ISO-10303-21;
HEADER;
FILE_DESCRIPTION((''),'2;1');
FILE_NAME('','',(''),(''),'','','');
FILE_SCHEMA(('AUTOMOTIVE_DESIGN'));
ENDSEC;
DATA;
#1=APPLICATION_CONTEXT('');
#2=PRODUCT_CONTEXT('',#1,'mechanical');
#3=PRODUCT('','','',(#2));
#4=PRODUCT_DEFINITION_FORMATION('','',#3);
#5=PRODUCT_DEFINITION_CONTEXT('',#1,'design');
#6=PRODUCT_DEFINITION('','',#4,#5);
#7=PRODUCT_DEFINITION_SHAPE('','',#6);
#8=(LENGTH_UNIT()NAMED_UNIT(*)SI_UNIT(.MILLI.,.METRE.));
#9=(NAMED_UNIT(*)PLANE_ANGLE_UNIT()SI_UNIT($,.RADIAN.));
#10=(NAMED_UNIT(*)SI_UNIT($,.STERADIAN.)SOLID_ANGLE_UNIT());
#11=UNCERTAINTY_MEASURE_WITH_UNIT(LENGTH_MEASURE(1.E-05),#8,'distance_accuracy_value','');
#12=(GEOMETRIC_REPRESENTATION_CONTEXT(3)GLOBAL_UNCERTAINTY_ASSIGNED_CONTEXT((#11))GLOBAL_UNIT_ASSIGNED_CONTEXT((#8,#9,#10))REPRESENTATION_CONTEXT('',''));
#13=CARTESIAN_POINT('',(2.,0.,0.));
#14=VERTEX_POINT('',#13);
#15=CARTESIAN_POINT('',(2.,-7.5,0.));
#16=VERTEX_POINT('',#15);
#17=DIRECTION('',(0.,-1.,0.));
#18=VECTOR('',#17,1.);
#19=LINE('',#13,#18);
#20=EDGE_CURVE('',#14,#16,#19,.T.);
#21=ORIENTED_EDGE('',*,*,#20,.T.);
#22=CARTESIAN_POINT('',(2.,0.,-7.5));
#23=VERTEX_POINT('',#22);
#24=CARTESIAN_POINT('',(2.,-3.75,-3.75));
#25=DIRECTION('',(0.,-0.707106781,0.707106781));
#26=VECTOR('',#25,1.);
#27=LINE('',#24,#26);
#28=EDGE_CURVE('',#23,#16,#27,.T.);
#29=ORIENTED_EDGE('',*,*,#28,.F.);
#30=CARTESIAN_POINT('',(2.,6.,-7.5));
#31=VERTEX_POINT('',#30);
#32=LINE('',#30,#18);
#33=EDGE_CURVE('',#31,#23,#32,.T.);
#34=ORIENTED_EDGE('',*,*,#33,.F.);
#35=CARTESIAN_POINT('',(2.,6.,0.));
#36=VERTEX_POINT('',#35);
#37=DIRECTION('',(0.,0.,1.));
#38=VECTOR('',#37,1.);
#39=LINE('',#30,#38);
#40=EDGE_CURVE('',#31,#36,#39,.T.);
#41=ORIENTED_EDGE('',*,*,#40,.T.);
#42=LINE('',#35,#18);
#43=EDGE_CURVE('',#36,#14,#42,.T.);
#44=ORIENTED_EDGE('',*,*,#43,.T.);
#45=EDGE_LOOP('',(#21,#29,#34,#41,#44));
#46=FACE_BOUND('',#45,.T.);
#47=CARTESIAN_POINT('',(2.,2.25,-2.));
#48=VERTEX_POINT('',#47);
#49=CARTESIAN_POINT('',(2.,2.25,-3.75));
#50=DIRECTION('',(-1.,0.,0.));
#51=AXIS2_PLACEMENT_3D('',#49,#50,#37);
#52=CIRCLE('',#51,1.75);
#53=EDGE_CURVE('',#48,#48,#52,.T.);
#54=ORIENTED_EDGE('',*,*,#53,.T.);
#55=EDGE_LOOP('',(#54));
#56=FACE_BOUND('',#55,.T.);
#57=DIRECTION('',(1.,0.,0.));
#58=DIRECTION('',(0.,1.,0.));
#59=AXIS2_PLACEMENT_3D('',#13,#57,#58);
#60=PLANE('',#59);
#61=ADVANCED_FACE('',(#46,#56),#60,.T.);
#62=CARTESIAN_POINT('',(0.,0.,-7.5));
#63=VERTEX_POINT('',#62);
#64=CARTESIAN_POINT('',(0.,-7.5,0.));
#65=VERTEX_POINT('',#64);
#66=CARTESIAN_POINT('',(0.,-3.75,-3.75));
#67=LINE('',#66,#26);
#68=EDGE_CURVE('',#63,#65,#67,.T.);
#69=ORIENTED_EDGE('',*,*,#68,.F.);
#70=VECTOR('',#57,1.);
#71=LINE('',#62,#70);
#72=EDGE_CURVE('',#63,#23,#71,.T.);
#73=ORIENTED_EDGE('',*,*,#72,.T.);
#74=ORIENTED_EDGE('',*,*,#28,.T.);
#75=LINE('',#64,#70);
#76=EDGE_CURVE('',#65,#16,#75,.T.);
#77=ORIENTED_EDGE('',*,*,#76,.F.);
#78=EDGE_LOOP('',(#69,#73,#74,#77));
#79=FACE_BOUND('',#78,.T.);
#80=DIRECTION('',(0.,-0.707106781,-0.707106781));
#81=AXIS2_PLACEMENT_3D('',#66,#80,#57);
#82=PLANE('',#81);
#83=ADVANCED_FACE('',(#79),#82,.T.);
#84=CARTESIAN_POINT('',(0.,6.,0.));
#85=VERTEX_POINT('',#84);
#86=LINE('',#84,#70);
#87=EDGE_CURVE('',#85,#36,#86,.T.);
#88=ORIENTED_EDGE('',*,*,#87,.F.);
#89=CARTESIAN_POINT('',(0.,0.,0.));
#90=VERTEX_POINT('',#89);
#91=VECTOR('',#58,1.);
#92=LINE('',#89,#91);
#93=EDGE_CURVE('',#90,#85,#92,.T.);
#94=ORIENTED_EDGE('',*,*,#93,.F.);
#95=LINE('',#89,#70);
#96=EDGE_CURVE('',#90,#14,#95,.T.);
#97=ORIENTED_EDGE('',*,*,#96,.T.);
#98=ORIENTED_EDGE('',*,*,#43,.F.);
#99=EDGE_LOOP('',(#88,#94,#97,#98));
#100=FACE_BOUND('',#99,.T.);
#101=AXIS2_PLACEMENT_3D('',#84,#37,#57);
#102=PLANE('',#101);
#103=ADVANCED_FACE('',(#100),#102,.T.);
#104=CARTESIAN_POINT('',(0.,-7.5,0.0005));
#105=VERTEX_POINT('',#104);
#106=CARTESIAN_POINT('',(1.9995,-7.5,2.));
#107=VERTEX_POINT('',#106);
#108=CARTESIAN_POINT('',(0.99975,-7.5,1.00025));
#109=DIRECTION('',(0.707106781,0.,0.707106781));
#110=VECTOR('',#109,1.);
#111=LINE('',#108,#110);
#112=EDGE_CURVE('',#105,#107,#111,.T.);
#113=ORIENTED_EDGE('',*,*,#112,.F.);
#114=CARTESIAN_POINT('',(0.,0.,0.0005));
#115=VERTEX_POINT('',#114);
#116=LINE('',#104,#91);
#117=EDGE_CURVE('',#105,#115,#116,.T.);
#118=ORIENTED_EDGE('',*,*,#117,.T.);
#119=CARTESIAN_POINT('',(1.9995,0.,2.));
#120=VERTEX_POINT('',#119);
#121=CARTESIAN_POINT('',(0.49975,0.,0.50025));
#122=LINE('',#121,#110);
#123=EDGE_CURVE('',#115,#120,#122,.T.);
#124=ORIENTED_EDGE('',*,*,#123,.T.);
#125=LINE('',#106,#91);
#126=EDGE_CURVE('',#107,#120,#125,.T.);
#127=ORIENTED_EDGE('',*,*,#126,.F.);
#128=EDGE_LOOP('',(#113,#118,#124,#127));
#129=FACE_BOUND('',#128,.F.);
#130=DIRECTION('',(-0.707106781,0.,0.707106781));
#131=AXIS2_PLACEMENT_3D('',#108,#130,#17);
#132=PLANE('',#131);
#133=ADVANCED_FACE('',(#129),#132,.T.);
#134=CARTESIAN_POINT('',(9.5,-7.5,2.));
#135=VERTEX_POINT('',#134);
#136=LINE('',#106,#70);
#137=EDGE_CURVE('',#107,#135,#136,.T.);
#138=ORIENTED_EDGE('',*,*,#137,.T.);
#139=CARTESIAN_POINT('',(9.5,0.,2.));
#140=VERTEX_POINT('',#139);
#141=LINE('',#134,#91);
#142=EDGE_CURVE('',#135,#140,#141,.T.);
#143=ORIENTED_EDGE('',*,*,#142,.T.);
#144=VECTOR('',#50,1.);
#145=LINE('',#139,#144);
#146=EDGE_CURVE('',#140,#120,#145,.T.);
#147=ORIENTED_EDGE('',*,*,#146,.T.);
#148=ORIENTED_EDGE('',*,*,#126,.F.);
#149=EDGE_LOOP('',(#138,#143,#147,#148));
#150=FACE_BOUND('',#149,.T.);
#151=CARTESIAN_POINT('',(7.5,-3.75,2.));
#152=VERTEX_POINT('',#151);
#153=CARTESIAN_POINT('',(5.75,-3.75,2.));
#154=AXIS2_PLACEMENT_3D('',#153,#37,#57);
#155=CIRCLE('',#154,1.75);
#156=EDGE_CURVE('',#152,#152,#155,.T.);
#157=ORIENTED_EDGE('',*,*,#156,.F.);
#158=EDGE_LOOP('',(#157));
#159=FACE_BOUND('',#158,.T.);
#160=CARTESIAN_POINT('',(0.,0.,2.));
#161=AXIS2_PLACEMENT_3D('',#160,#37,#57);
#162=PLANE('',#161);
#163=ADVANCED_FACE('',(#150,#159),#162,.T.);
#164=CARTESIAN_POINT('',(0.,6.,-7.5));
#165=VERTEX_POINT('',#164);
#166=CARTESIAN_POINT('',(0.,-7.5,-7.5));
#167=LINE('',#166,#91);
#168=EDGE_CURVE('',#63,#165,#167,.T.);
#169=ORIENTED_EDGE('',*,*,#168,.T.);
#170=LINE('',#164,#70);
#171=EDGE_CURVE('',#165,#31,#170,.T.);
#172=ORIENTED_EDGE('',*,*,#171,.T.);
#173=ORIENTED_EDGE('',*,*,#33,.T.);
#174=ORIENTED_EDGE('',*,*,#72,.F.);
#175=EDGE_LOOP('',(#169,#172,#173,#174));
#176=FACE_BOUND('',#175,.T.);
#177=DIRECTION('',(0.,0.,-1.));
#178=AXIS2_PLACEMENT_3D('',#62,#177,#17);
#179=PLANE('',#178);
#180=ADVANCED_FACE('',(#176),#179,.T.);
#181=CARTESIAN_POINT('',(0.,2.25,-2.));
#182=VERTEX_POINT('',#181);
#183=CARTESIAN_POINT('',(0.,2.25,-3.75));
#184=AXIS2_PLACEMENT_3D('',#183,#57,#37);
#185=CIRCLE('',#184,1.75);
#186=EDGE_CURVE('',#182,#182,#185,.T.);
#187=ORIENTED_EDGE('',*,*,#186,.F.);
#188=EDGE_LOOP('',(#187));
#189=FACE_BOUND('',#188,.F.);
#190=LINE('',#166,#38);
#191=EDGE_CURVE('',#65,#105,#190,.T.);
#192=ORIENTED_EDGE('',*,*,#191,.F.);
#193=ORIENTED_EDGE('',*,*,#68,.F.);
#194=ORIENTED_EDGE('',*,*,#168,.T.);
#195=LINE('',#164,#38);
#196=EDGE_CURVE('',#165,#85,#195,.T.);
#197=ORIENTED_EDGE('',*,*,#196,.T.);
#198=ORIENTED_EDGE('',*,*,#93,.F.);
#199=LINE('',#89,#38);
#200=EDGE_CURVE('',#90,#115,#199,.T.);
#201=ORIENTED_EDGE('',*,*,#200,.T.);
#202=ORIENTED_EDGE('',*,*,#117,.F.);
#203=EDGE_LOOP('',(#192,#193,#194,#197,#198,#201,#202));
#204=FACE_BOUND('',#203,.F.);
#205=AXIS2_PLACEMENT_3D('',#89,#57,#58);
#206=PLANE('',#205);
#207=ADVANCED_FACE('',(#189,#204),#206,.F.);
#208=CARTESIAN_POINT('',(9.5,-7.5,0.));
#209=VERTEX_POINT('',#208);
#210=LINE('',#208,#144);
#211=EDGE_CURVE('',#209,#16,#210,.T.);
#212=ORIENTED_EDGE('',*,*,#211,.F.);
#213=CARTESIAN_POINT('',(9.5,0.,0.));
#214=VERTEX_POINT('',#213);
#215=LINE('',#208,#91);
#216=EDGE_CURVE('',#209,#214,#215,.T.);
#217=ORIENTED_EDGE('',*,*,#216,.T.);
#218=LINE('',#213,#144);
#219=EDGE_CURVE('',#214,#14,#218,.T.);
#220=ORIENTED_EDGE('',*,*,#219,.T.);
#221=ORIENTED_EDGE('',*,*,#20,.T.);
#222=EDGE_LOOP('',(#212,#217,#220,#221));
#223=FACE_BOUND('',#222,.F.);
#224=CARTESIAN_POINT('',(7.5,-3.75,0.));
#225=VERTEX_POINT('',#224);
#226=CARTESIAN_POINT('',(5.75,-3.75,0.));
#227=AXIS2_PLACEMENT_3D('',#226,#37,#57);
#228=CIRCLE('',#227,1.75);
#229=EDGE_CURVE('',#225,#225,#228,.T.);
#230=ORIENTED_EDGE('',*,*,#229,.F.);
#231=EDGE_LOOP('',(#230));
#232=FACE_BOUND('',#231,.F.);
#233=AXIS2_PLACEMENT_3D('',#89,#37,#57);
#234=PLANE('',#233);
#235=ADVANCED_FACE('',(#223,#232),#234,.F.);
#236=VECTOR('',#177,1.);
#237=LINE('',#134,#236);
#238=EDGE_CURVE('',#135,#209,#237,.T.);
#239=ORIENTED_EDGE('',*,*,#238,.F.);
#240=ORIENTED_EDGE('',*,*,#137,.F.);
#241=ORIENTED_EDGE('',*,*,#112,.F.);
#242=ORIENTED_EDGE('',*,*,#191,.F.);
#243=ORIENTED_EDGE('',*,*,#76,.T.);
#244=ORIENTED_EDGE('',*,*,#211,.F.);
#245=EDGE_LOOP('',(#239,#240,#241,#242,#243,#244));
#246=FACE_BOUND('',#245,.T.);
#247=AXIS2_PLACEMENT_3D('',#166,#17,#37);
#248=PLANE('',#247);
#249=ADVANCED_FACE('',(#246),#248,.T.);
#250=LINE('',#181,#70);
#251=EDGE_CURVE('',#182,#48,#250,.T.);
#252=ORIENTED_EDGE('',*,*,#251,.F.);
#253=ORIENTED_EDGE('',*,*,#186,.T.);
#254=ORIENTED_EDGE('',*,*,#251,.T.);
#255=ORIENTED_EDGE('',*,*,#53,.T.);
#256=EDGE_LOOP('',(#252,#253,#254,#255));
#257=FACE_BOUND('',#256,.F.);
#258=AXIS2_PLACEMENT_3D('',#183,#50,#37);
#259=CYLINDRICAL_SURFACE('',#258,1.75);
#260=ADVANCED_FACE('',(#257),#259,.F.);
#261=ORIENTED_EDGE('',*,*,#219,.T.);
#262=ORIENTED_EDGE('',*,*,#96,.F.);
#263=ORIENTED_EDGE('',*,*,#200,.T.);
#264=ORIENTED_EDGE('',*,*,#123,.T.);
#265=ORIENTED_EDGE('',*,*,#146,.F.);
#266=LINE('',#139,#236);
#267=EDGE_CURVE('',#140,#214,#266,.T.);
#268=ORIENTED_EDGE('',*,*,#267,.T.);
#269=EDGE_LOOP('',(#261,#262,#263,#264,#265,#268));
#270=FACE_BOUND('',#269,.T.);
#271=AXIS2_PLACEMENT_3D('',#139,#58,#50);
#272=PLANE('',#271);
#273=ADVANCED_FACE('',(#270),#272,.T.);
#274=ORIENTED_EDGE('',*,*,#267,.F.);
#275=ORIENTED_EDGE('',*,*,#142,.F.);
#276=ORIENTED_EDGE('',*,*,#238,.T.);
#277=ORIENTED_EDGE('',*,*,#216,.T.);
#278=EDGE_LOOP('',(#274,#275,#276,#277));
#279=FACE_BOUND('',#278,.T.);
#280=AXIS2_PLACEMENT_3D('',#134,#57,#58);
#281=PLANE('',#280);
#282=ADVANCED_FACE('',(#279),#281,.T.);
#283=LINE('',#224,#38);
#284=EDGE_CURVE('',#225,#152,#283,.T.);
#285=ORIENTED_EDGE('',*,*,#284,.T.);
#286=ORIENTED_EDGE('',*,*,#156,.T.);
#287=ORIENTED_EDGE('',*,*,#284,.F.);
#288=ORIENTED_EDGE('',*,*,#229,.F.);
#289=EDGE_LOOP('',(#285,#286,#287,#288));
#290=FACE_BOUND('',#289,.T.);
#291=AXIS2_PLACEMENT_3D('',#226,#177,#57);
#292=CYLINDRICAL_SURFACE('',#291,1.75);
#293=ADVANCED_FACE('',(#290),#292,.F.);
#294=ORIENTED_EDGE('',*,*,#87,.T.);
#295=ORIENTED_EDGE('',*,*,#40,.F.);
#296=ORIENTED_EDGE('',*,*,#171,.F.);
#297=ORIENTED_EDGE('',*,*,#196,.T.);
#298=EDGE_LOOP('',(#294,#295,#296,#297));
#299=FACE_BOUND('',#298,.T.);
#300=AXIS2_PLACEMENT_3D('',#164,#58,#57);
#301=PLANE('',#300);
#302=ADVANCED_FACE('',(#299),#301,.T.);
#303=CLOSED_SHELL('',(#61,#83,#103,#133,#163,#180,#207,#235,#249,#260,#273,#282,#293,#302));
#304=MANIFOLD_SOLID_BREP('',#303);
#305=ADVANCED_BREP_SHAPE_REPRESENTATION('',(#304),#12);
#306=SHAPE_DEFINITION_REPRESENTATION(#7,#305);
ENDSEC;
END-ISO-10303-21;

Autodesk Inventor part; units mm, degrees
ref_plane "YZ Plane" through (0, 0, 0) normal (1, 0, 0) x (0, 1, 0)
ref_plane "XZ Plane" through (0, 0, 0) normal (0, 1, 0) x (-1, 0, 0)
ref_plane "XY Plane" through (0, 0, 0) normal (0, 0, 1) x (1, 0, 0)
sketch "Boceto2" plane through (0, 0, 0) normal (0, 0, 1) x (1, 0, 0)
  line L0 (0, 0) -> (2, 0)
  line L1 (2, 0) -> (2, -7.5)
  line L2 (2, 0) -> (3, 0)
  line L3 (2.8119, -7.5) -> (0, -7.5)
  line L4 (0, -7.5) -> (0, 0)
  line L5 (3, 0) -> (3, -7.5)
  line L6 (3, -7.5) -> (0, -7.5)
  line L7 (3, 0) -> (6.5, 0)
  line L8 (6.5, 0) -> (8.5, 0)
  line L9 (8.5, 0) -> (8.5, -7.5)
  line L10 (8.5, -7.5) -> (3, -7.5)
  circle A0 centre (5.75, -3.75) radius 1.75
  dimension "d6" = 2
  dimension "d15" = 1
  dimension "d16" = 3.5
  dimension "d17" = 2
  dimension "d18" = 3.5
sketch "Boceto1" plane through (0, 0, 0) normal (1, 0, 0) x (0, 1, 0)
  line L0 (0, 0) -> (0, -2)
  line L1 (0, -2) -> (0, -5.5)
  line L2 (0, -5.5) -> (0, -7.5)
  line L3 (0, -7.5) -> (-2, -7.5)
  line L4 (-2, -7.5) -> (-5.5, -7.5)
  line L5 (0, 0) -> (-5.5, 0)
  line L6 (-5.5, -7.5) -> (-7.5, -7.5)
  line L7 (-7.5, -7.5) -> (-7.5, 0)
  line L8 (-7.5, 0) -> (0, 0)
  dimension "d0" = 2
  dimension "d1" = 3.5
  dimension "d2" = 2
  dimension "d3" = 2
  dimension "d4" = 3.5
  dimension "d5" = 2
extrude "Extrusión2" add sketch "Boceto2" along normal blind 2
chamfer "Chaflán1" distance 2 angle 45 1 edges at (0, -3.75, 2)
sketch "Boceto4" plane through (0, 0, 2) normal (0, 0, 1) x (1, 0, 0)
  line L0 (8.5, -7.5) -> (9.5, -7.5)
  line L1 (9.5, -7.5) -> (9.5, 0)
  line L2 (9.5, 0) -> (8.5, 0)
  line L3 (8.5, -7.5) -> (8.5, 0) projected
  line L4 (8.5, 0) -> (8.5, -7.5)
  point P0 (0, 0)
  dimension "d24" = 1
extrude "Extrusión3" add sketch "Boceto4" against normal blind 2
ref_plane "Plano de trabajo2" through (0, 0, -7.5) normal (0, 1, 0) x (1, 0, 0)
sketch "Boceto5" plane through (0, 0, -7.5) normal (0, 1, 0) x (1, 0, 0)
  line L0 (0, -7.5) -> (2, -9.5) projected
  line L1 (0, -7.5) -> (2, -7.5)
  line L2 (2, -7.5) -> (2, 0) projected
  line L3 (2, -7.5) -> (2, 0)
  line L4 (0, 0) -> (2, 0) projected
  line L5 (2, 0) -> (0, 0)
  line L6 (2, -7.5) -> (2, -9.5)
  line L7 (0, 0) -> (0, -7.5) projected
  line L8 (0, -7.5) -> (0, 0)
extrude "Extrusión4" add sketch "Boceto5" along normal blind 6
extrude "Extrusión5" cut sketch "Boceto1" along normal blind 2
extrude "Extrusión6" add sketch "Boceto1" along normal blind 2
sketch "Boceto6" plane through (0, -7.5, -7.5) normal (-1, 0, 0) x (0, 0, 1)
  line L0 (0, 13.5) -> (7.5, 13.5) projected
  line L1 (3.75, 13.5) -> (3.75, 11.5)
  line L2 (3.75, 11.5) -> (3.75, 8)
  circle A0 centre (3.75, 9.75) radius 1.75
  point P0 (7.5, 7.5)
  dimension "d33" = 3.5
extrude "Extrusión7" cut sketch "Boceto6" against normal blind 29.5
sketch "Boceto7" plane through (0, 6, -7.5) normal (0, 1, 0) x (1, 0, 0)
  line L0 (0, 0) -> (0, -7.5) projected
  line L1 (0, -7.5) -> (2, -7.5)
  line L2 (2, -9.5) -> (2, 0) projected
  line L3 (2, -7.5) -> (2, -9.5)
  line L4 (0, -7.5) -> (2, -9.5) projected
  line L5 (2, -9.5) -> (0, -7.5)
extrude "Extrusión8" cut sketch "Boceto7" against normal blind 6
chamfer "Chaflán2" distance 7.5 angle 45 1 edges at (1, -7.5, -7.5)
properties part number "Caixa control - tirador"
